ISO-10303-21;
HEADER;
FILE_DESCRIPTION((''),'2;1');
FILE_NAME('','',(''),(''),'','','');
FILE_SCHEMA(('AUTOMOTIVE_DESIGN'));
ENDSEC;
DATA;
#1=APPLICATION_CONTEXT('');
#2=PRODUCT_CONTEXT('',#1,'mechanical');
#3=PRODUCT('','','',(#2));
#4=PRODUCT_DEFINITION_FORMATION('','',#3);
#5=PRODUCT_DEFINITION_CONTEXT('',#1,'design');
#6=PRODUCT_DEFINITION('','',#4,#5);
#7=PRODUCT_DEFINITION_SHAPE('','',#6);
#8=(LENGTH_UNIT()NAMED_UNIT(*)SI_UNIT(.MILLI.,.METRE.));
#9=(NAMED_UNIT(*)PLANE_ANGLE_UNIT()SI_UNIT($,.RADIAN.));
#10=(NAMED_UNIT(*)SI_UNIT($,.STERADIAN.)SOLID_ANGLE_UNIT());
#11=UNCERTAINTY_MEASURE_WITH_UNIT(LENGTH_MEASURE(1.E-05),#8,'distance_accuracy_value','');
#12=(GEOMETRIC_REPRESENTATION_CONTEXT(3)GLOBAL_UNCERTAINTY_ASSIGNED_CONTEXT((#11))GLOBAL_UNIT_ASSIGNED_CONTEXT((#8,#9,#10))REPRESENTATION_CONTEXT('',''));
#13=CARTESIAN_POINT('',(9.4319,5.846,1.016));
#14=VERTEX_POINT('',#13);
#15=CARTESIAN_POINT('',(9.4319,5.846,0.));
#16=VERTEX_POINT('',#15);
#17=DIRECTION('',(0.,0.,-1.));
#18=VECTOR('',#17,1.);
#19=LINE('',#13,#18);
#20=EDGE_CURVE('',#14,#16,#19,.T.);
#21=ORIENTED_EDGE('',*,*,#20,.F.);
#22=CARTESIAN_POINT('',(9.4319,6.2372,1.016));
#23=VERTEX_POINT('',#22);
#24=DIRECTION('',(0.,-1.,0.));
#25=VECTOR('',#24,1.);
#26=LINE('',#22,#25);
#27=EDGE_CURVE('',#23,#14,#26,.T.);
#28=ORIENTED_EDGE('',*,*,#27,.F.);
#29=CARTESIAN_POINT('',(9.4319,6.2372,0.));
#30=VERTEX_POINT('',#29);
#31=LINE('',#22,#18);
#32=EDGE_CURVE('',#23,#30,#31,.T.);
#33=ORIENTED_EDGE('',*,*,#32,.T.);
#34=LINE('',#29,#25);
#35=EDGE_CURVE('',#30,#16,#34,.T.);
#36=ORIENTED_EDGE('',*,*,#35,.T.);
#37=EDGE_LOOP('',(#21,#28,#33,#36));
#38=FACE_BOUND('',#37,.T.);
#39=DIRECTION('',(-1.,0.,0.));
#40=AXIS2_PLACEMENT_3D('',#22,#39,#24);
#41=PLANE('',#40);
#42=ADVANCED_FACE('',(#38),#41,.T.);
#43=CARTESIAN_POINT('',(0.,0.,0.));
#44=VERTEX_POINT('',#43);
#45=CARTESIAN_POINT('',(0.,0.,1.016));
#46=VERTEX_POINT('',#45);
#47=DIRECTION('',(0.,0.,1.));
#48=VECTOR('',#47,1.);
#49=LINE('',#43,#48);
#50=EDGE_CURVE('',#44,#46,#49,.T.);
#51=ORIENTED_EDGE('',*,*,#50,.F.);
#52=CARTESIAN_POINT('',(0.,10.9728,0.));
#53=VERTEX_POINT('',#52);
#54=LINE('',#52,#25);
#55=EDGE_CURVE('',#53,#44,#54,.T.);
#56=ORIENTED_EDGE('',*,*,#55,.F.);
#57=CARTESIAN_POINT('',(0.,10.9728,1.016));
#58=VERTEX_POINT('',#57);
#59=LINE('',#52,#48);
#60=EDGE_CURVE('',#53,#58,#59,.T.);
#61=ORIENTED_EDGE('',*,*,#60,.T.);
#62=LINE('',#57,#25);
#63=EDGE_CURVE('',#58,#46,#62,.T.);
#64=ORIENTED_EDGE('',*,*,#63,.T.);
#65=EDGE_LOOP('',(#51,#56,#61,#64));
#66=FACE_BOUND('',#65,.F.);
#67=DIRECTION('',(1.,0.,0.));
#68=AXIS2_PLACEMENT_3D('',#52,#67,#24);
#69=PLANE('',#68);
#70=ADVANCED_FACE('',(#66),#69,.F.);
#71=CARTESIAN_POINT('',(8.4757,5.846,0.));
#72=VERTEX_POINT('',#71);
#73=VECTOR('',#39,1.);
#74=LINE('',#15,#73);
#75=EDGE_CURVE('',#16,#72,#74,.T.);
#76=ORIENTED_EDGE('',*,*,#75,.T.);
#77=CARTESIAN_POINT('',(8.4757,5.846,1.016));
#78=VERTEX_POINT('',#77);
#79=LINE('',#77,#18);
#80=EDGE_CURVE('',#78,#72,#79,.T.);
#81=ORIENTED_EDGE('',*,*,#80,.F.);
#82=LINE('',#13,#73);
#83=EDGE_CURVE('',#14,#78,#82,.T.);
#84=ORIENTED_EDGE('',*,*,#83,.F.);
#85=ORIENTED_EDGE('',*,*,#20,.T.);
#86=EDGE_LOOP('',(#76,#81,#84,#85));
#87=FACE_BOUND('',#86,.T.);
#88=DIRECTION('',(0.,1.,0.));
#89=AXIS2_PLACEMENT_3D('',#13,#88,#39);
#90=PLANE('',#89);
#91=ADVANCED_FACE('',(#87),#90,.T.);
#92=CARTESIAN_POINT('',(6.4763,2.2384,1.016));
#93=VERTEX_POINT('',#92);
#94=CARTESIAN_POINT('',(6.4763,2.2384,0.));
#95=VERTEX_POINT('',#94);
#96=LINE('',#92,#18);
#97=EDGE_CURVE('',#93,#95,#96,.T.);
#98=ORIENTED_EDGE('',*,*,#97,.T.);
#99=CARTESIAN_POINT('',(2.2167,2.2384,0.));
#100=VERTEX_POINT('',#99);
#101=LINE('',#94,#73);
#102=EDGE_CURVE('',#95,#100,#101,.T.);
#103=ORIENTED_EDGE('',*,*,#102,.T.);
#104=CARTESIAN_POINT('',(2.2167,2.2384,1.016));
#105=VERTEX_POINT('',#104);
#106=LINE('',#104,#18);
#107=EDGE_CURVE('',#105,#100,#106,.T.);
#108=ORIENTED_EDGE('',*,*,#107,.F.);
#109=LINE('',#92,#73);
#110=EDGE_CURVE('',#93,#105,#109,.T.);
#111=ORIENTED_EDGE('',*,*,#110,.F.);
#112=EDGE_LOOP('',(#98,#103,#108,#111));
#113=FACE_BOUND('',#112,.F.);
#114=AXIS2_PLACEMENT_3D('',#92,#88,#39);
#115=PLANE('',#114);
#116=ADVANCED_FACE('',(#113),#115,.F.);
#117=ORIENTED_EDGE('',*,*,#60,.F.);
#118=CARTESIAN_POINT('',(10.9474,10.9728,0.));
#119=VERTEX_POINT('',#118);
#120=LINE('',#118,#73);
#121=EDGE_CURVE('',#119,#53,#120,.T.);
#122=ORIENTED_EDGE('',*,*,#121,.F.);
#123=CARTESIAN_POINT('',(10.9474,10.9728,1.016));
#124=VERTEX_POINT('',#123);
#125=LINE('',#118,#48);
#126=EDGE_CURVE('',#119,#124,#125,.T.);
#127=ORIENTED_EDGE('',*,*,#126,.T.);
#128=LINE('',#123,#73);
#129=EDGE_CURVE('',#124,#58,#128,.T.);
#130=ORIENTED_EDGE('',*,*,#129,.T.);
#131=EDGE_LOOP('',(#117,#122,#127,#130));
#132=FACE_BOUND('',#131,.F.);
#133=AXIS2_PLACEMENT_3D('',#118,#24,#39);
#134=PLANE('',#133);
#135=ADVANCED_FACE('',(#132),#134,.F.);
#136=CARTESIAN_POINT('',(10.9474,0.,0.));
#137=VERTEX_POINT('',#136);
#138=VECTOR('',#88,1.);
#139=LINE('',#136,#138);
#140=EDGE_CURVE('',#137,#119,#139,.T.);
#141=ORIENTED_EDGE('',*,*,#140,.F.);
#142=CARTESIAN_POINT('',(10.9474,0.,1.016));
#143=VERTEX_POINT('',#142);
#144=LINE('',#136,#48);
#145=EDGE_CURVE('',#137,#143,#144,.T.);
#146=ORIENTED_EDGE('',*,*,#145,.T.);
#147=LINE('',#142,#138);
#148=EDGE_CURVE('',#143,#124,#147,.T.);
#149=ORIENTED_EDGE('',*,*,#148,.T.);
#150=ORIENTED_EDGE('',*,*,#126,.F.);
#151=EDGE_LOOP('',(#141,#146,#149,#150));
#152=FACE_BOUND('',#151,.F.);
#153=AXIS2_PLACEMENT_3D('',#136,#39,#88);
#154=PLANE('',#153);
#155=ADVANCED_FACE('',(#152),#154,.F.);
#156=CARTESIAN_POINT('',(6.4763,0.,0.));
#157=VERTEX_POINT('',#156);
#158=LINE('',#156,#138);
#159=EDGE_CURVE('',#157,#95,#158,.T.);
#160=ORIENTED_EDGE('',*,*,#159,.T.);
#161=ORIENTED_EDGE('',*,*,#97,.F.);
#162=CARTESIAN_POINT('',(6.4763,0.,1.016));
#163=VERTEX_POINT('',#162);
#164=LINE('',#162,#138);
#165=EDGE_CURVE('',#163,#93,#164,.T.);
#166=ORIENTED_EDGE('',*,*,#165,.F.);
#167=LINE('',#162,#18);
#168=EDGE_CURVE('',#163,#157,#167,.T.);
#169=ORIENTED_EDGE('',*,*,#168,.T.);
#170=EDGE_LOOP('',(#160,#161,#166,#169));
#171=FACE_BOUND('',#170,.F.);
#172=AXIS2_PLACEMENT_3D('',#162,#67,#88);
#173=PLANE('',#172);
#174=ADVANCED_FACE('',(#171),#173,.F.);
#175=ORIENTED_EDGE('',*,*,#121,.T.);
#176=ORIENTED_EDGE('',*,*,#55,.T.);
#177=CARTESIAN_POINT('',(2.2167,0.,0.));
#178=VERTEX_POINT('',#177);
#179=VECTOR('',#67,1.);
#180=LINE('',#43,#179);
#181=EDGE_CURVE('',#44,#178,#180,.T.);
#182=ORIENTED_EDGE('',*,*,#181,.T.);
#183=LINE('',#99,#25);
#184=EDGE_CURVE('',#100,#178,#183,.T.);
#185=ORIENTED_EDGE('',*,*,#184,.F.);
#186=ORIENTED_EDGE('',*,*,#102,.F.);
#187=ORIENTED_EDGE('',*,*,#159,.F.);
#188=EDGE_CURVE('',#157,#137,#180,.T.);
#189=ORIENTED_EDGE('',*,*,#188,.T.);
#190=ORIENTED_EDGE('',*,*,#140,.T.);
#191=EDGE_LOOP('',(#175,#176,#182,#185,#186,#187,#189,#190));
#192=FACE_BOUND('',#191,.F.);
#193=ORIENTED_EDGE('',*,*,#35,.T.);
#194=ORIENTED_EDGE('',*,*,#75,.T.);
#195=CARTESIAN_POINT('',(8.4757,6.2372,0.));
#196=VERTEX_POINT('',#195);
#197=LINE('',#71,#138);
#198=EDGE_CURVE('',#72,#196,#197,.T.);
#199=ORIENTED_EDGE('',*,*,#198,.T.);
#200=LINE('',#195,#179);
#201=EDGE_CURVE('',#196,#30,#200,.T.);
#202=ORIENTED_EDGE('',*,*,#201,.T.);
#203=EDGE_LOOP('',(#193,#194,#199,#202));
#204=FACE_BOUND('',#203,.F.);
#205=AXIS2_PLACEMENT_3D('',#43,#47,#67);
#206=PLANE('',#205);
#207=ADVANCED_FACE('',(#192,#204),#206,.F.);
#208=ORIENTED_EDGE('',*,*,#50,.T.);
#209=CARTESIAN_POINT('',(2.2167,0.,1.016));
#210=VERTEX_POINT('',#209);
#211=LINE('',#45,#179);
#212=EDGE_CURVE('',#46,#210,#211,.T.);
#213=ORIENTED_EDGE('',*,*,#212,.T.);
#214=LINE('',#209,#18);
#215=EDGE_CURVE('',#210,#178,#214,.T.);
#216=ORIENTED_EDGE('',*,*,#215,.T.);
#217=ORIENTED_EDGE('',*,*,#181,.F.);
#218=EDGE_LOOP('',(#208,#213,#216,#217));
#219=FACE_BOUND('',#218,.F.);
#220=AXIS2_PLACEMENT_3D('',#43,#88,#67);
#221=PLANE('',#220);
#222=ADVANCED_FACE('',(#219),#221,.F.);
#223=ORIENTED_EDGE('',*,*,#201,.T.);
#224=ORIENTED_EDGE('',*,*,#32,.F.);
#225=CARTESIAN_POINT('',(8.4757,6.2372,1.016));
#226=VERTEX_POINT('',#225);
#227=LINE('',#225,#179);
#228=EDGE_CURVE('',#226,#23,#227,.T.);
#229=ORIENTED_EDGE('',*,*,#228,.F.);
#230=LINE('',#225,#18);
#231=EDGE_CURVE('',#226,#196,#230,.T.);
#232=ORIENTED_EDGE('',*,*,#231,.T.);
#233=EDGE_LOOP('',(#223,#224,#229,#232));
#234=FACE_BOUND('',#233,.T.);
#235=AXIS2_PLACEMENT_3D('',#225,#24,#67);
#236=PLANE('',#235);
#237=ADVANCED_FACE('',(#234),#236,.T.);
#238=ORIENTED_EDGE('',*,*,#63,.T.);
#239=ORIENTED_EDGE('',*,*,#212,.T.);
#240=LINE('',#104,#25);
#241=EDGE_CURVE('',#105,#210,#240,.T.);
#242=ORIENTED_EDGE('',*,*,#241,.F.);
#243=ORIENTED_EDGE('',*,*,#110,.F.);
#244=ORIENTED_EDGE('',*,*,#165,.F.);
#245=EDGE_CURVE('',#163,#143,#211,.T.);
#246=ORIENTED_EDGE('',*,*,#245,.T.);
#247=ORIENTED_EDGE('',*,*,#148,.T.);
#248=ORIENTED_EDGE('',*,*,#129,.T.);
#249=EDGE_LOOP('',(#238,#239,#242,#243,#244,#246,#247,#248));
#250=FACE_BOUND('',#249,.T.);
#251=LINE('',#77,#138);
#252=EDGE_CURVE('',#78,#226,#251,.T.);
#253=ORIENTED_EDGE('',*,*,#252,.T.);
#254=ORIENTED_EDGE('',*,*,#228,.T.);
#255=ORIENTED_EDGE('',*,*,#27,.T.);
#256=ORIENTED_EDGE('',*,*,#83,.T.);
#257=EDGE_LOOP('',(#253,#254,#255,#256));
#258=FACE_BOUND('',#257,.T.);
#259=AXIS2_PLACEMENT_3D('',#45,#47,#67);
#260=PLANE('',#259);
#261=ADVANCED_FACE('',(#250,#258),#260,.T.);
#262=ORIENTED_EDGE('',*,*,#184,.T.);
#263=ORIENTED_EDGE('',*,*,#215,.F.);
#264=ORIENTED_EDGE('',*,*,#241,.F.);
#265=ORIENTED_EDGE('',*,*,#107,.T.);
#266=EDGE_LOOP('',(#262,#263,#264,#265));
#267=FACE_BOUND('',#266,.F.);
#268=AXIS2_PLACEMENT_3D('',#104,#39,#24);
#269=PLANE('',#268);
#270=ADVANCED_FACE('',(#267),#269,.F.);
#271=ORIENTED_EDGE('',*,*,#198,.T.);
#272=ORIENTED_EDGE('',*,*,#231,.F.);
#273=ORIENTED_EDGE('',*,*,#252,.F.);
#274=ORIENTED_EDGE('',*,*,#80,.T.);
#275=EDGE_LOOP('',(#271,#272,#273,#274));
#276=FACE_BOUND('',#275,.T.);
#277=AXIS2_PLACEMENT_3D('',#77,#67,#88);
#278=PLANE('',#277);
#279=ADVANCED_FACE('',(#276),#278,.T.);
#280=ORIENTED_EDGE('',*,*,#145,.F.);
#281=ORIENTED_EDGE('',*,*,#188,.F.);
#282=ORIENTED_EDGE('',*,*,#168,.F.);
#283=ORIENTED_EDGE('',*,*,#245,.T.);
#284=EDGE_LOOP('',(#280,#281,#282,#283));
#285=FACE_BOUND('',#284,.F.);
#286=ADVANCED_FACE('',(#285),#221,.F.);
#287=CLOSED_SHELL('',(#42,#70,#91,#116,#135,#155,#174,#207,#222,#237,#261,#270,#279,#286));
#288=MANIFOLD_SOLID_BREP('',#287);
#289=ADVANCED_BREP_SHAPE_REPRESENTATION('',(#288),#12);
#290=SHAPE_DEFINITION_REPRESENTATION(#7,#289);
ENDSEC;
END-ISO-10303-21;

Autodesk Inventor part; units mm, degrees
ref_plane "YZ Plane" through (0, 0, 0) normal (1, 0, 0) x (0, 1, 0)
ref_plane "XZ Plane" through (0, 0, 0) normal (0, 1, 0) x (-1, 0, 0)
ref_plane "XY Plane" through (0, 0, 0) normal (0, 0, 1) x (1, 0, 0)
sketch "Sketch1" plane through (0, 0, 0) normal (0, 0, 1) x (1, 0, 0)
  point P0 (0, 0)
sketch "Sketch2" plane through (0, 0, 0) normal (0, 0, 1) x (1, 0, 0)
  line L0 (0, 0) -> (10.9474, 0)
  line L1 (10.9474, 0) -> (10.9474, 10.9728)
  line L2 (10.9474, 10.9728) -> (0, 10.9728)
  line L3 (0, 10.9728) -> (0, 0)
  dimension "d0" = 10.9474
  dimension "d1" = 10.9728
extrude "Extrusion1" add sketch "Sketch2" along normal blind 1.016
sketch "Sketch3" plane through (0, 0, 1.016) normal (0, 0, 1) x (1, 0, 0)
  line L0 (0, 0) -> (10.9474, 0) projected
  line L1 (2.2167, 0) -> (6.4763, 0)
  line L2 (6.4763, 0) -> (6.4763, 2.2384)
  line L3 (6.4763, 2.2384) -> (2.2167, 2.2384)
  line L4 (2.2167, 2.2384) -> (2.2167, 0)
  line L5 (8.5191, 6.2372) -> (9.3015, 6.2372)
  line L6 (9.3015, 6.2372) -> (9.3015, 5.7591)
  line L7 (9.3015, 5.7591) -> (8.5191, 5.7591)
  line L8 (8.5191, 5.7591) -> (8.5191, 6.2372)
extrude "Extrusion2" cut sketch "Sketch3" against normal blind 1.016 contours L4 L3 L2 L0
sketch "Sketch4" plane through (0, 0, 1.016) normal (0, 0, 1) x (1, 0, 0)
  line L0 (8.4757, 6.2372) -> (9.4319, 6.2372)
  line L1 (9.4319, 6.2372) -> (9.4319, 5.846)
  line L2 (9.4319, 5.846) -> (8.4757, 5.846)
  line L3 (8.4757, 5.846) -> (8.4757, 6.2372)
  point P0 (0, 0)
extrude "Extrusion3" cut sketch "Sketch4" against normal blind 1.016
properties part number "front"
